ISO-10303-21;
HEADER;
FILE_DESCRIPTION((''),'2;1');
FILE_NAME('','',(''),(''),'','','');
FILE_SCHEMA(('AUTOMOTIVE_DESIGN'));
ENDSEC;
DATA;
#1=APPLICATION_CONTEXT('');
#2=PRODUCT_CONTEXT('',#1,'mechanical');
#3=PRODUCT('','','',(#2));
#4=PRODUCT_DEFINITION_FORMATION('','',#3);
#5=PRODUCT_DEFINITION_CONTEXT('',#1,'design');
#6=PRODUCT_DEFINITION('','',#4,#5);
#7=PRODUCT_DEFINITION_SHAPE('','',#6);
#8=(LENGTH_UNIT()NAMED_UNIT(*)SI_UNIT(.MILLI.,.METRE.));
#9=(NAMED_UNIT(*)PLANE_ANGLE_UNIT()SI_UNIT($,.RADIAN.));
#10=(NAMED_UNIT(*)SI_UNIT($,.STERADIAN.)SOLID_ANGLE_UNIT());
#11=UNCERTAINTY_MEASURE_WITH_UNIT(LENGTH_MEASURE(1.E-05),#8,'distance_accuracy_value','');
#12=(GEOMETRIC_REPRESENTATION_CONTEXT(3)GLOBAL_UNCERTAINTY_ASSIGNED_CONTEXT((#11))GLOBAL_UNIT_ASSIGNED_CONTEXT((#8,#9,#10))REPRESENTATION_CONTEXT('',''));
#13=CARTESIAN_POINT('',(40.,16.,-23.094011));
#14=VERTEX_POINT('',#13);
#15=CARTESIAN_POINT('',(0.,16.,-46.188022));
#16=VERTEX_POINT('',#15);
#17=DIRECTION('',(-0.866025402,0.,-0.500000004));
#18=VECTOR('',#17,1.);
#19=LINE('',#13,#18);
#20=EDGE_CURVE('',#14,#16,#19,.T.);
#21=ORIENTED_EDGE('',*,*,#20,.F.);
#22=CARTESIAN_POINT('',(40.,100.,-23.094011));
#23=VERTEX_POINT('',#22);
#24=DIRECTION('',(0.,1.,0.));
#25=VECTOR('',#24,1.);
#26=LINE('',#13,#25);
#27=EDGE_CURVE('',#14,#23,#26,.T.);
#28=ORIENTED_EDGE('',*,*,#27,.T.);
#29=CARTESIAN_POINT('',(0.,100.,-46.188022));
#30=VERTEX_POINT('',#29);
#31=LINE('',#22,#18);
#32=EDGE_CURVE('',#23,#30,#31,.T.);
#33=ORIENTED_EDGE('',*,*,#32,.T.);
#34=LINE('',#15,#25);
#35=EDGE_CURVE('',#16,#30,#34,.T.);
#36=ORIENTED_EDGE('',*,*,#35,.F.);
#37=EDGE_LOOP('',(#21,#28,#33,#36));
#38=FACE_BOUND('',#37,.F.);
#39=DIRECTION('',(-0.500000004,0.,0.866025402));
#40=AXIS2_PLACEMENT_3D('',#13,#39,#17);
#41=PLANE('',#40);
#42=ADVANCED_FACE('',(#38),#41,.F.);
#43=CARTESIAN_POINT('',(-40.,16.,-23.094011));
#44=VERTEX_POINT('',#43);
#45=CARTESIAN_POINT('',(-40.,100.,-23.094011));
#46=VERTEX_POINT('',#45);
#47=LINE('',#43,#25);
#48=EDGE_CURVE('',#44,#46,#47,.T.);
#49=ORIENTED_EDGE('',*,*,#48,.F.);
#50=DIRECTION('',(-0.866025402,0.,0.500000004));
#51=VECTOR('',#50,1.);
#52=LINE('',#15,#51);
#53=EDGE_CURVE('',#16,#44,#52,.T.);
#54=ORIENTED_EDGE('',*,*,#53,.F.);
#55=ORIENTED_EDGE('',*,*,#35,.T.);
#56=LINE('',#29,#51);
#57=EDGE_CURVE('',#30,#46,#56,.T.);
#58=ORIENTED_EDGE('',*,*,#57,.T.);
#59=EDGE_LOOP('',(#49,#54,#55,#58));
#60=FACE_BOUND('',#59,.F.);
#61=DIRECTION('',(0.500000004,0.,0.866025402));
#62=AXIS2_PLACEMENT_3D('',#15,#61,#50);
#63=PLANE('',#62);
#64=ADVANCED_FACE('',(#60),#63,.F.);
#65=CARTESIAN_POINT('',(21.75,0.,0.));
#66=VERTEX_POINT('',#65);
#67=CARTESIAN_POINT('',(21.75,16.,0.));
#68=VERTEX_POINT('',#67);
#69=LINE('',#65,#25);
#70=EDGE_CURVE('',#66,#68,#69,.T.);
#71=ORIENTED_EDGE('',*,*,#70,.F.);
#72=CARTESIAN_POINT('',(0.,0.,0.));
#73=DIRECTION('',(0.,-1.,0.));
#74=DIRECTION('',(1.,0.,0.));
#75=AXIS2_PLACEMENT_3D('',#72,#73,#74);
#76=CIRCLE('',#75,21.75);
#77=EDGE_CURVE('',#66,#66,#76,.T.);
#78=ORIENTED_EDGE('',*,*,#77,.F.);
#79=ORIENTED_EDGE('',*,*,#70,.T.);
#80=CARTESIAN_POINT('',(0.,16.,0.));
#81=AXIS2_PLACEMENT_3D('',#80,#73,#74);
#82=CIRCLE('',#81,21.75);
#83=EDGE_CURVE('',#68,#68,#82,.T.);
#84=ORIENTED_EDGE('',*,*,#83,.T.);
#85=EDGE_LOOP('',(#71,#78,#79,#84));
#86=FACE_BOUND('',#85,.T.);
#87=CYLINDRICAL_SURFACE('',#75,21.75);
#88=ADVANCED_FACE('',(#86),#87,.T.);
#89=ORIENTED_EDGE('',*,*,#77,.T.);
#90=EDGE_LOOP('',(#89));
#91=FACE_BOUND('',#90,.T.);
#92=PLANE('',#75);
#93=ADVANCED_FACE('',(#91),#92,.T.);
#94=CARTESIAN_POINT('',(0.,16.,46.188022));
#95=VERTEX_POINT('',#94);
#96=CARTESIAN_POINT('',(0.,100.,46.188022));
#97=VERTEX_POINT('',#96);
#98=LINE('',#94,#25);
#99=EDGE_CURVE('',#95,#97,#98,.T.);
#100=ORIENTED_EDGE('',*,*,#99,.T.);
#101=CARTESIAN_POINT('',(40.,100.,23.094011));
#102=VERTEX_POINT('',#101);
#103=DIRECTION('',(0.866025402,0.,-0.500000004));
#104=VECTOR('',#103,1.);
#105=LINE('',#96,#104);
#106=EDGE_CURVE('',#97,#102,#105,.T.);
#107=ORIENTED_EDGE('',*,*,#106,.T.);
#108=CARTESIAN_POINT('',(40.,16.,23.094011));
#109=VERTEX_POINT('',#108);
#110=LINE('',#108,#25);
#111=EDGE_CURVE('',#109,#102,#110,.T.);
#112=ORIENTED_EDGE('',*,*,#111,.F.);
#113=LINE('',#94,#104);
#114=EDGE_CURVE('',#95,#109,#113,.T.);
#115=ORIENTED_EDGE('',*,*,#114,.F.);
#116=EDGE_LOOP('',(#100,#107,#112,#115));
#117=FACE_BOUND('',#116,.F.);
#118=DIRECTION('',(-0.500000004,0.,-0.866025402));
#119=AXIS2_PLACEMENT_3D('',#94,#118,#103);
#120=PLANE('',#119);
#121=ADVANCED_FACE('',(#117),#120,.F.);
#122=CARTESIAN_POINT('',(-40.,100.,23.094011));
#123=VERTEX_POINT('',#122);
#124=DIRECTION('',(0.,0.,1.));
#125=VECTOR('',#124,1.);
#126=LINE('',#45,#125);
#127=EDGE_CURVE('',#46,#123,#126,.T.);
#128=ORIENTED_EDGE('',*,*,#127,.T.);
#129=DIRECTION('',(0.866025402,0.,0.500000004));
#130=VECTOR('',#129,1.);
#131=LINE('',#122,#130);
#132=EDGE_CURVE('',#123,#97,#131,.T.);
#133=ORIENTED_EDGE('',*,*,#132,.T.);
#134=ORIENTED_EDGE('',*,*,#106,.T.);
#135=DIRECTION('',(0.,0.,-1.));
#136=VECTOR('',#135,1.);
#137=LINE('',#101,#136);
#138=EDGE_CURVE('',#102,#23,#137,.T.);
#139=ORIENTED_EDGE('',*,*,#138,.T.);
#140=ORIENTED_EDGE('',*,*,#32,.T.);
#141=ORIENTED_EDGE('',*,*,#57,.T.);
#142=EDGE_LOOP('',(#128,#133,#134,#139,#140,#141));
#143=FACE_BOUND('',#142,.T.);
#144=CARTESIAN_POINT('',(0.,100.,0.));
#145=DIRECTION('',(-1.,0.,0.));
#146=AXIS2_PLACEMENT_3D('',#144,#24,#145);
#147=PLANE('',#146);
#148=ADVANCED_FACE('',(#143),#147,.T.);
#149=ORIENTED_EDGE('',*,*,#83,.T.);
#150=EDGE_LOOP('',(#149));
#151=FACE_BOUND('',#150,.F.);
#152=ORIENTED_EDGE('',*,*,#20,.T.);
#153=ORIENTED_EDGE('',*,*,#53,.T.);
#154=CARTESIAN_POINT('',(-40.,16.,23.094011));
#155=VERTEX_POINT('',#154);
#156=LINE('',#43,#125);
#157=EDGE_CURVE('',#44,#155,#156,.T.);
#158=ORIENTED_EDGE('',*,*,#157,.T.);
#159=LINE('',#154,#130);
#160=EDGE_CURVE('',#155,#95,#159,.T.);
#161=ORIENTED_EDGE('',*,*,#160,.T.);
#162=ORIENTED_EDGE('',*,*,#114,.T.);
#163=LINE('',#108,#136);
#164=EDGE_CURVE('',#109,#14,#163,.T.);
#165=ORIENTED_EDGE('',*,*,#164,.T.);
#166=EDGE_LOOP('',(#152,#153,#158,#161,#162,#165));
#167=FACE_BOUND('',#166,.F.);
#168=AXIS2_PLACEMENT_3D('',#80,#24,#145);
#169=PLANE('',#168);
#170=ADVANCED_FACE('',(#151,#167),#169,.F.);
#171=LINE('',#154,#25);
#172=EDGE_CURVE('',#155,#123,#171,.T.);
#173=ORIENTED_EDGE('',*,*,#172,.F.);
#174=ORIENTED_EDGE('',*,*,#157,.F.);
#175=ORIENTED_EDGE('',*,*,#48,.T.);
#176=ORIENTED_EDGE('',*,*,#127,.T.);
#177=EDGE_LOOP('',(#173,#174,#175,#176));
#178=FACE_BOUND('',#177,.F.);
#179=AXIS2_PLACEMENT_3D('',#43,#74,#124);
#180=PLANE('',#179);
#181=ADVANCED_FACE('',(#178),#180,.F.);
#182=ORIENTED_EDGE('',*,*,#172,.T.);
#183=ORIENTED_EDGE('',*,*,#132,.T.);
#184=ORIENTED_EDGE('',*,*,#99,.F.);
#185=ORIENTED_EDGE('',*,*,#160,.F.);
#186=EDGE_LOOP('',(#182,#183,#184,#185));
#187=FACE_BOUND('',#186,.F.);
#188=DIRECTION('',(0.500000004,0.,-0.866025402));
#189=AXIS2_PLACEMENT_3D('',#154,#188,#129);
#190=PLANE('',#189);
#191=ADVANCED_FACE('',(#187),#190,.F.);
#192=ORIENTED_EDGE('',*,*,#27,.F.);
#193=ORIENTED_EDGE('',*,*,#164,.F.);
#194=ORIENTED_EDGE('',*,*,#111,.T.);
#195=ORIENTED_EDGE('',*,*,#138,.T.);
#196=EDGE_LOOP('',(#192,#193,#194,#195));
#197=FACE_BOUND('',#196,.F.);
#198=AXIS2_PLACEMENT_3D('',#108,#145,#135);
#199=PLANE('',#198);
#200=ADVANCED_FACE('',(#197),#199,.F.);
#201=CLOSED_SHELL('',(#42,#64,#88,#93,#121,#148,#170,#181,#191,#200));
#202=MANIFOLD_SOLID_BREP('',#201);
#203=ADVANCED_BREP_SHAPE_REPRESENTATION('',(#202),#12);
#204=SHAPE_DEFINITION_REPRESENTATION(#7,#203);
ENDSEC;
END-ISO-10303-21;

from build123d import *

# Parameters (mm, degrees)
F0_R     = 21.75
F1_DEPTH = 16
F3_DEPTH = 84


with BuildPart() as f1:
    # F0 (on Front) → F1 (new body)
    with BuildSketch(Plane.XZ):
        Circle(F0_R)
    extrude(amount=-F1_DEPTH)

    # F2 (on face) → F3 (join)
    with BuildSketch(Plane(origin=(0, 16, 0), x_dir=(-1, 0, 0), z_dir=(0, 1, 0))):
        Polygon((40, -23.094011), (40, 23.094011), (0, 46.188022), (-40, 23.094011), (-40, -23.094011), (0, -46.188022), align=None)
    extrude(amount=F3_DEPTH)


solid = f1.part
